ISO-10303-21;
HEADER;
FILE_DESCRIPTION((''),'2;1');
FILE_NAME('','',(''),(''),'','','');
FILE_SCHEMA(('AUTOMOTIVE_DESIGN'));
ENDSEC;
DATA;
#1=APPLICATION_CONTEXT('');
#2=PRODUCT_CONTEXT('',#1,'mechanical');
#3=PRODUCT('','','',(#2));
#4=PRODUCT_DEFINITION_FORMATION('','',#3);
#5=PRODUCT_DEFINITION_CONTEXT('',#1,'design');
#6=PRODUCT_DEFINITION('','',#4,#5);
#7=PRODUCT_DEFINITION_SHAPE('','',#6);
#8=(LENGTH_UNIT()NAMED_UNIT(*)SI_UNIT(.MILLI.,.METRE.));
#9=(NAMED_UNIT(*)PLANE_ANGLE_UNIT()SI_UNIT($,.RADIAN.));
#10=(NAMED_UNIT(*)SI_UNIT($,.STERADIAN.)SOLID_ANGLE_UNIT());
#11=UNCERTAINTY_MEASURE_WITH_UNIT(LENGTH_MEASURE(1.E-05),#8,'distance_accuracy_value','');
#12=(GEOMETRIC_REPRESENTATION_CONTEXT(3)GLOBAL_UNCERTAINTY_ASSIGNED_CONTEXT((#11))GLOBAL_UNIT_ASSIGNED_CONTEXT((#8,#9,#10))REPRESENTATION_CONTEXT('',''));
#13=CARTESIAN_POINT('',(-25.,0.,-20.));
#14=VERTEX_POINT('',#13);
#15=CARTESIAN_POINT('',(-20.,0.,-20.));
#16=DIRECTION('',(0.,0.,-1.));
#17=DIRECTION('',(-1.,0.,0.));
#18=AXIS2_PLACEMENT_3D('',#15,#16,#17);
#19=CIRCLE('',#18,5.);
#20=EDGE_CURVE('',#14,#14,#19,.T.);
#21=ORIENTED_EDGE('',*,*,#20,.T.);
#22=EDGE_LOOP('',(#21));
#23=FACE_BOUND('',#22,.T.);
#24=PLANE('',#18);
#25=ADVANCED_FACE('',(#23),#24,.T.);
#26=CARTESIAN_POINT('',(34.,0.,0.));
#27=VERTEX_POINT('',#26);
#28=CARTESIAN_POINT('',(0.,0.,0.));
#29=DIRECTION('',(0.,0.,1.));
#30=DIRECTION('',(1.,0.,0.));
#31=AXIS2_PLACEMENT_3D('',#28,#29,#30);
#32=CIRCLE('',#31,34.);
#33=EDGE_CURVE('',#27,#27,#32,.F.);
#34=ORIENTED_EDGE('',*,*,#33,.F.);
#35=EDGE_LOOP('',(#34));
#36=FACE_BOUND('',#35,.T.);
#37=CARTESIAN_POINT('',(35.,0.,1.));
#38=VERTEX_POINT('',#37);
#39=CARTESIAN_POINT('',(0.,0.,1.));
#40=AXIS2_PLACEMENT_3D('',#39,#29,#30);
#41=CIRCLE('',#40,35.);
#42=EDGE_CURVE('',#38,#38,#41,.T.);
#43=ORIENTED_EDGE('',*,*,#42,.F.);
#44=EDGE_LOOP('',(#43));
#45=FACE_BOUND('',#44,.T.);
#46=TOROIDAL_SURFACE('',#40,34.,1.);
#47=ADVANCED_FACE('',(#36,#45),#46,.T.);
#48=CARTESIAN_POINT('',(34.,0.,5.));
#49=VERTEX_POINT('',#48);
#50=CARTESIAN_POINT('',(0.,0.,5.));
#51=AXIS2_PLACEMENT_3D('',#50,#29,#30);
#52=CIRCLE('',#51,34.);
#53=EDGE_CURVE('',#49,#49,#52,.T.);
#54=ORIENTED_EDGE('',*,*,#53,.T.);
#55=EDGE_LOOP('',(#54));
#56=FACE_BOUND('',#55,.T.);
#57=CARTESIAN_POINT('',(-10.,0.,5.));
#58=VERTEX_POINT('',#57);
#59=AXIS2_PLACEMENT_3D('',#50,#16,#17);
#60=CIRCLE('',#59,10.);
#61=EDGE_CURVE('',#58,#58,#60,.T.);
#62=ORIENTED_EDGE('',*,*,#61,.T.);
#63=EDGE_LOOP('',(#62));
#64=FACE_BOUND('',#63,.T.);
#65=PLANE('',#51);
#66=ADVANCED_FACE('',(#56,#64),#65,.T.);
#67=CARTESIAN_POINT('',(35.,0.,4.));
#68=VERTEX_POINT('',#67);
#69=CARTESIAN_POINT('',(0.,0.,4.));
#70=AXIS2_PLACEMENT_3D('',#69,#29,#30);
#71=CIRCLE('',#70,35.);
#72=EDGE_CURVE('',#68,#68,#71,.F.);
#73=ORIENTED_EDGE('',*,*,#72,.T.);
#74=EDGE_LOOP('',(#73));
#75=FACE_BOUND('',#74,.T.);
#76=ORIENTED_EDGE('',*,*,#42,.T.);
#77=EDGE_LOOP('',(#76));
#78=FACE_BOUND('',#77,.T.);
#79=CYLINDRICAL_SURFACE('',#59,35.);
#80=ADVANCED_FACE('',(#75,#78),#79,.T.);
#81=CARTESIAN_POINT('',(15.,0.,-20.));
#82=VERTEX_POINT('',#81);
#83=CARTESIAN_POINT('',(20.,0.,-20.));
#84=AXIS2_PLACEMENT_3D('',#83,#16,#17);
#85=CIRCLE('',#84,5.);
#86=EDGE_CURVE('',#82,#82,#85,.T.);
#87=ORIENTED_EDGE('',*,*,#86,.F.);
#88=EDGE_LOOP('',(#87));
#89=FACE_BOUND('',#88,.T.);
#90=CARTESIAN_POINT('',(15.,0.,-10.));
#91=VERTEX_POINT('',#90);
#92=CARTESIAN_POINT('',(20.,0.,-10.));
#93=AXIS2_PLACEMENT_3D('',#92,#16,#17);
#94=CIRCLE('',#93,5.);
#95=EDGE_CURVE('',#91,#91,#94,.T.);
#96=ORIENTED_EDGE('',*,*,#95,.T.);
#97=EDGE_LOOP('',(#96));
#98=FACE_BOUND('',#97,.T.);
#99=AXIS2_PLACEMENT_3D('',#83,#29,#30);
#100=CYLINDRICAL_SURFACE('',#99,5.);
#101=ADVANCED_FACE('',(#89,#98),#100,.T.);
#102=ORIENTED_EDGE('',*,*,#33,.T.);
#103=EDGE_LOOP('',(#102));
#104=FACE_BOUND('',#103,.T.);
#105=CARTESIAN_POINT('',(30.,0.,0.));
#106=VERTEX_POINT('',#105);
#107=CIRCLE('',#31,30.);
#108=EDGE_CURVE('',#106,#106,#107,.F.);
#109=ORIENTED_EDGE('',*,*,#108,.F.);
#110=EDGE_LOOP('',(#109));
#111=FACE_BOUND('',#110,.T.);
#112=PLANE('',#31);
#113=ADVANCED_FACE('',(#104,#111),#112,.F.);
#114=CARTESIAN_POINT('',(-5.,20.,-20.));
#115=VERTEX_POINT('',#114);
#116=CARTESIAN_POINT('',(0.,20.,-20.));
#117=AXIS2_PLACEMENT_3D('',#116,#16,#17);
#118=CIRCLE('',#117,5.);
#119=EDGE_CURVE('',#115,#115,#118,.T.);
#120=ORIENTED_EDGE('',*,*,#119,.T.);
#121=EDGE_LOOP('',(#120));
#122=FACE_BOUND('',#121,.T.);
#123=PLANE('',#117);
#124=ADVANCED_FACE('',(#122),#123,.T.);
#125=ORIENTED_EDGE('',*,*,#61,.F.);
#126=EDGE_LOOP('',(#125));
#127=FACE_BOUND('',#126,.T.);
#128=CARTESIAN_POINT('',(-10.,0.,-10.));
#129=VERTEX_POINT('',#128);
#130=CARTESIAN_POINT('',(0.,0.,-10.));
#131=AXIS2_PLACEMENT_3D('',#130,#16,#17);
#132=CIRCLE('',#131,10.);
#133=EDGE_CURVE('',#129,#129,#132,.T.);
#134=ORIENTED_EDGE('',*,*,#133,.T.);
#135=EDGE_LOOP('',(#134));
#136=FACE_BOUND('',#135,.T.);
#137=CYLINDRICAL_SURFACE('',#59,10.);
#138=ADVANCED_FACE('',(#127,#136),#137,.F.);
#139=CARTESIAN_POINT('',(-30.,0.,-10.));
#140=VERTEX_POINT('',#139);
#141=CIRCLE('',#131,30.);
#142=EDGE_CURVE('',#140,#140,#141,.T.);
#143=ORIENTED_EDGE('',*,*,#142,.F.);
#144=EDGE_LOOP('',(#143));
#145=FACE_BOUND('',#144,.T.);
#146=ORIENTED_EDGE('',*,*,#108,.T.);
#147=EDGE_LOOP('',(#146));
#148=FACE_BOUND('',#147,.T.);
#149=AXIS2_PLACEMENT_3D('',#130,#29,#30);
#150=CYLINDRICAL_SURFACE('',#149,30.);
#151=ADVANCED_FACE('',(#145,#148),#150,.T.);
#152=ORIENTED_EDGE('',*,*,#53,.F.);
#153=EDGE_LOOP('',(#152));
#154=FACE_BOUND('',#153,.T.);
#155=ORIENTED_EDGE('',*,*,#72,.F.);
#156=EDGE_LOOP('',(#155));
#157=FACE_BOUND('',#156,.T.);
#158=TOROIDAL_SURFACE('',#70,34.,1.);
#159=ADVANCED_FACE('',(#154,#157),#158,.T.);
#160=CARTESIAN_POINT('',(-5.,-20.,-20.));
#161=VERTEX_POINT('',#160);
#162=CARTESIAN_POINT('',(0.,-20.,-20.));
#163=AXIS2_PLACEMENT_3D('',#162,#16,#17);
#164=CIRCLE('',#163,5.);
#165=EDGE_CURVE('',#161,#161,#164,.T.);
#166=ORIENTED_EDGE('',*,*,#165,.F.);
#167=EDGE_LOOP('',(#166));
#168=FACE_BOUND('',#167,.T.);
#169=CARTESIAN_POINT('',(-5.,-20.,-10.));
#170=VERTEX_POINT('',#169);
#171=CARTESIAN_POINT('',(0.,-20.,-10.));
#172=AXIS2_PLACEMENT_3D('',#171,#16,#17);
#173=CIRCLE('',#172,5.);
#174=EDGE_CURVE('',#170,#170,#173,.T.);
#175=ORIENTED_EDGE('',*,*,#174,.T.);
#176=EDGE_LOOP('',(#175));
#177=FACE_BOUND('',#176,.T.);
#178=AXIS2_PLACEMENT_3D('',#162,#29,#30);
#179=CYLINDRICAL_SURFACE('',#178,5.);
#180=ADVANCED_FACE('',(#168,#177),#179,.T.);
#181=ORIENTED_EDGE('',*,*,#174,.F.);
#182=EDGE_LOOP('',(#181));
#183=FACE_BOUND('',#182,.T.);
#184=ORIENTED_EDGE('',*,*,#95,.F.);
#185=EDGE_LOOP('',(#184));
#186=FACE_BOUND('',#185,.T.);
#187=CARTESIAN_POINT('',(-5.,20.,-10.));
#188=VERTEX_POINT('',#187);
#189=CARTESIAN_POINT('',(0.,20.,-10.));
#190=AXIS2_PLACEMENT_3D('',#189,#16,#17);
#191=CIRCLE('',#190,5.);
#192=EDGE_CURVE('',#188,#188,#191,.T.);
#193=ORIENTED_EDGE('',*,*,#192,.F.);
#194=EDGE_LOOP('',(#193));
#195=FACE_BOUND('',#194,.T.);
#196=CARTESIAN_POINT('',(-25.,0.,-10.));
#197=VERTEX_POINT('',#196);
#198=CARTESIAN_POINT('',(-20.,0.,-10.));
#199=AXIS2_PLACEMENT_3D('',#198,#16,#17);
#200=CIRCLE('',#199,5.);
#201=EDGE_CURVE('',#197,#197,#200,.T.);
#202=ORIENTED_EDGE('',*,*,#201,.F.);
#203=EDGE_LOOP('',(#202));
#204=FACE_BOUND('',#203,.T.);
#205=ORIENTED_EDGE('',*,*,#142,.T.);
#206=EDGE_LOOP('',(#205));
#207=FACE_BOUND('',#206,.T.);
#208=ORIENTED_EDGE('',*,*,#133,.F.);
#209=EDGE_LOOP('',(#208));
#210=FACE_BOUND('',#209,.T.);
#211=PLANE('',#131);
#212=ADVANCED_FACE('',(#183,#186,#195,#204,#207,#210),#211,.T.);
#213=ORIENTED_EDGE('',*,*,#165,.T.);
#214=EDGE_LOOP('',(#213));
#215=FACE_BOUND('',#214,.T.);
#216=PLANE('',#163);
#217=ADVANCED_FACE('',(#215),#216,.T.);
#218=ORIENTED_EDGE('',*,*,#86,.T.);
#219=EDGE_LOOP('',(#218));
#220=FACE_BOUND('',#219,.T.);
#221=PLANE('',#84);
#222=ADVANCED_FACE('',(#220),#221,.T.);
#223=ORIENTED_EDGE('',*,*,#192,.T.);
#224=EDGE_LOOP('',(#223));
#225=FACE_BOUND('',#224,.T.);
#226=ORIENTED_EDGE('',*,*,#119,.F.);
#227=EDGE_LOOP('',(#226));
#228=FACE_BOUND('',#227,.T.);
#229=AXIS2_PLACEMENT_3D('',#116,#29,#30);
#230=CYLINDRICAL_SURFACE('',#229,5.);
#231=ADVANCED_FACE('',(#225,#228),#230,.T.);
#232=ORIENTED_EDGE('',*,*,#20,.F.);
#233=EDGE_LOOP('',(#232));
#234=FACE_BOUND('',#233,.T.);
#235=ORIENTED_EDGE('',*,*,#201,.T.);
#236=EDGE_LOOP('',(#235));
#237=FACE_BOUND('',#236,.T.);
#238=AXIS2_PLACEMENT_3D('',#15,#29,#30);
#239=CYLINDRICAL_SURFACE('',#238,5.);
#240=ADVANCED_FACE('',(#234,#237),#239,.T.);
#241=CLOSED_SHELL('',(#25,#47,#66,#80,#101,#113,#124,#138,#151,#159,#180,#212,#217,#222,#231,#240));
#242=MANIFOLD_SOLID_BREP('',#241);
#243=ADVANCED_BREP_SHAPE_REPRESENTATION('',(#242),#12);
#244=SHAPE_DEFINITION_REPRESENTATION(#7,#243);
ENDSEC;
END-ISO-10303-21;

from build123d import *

# Parameters (mm, degrees)
SKETCH1_R           = 35
BOSS_EXTRUDE1_DEPTH = 5
FILLET1_R           = 1
SKETCH2_R           = 30
BOSS_EXTRUDE2_DEPTH = 10
SKETCH3_R           = 5
BOSS_EXTRUDE3_DEPTH = 10
SKETCH4_R           = 10
CUT_EXTRUDE1_DEPTH  = 16


with BuildPart() as part:
    # Sketch1 → Boss-Extrude1 (new body)
    with BuildSketch(Plane.XY):
        Circle(SKETCH1_R)
    extrude(amount=BOSS_EXTRUDE1_DEPTH)

    # Fillet1
    fillet1_edges = [part.edges().sort_by_distance(p)[0] for p in [
        (-35, 0, 0),
        (-35, 0, 5),
    ]]
    fillet(fillet1_edges, radius=FILLET1_R)

    # Sketch2 → Boss-Extrude2 (add)
    with BuildSketch(Plane(origin=(0, 0, 0), x_dir=(-1, 0, 0), z_dir=(0, 0, -1))):
        Circle(SKETCH2_R)
    extrude(amount=BOSS_EXTRUDE2_DEPTH)

    # Sketch3 → Boss-Extrude3 (add)
    with BuildSketch(Plane(origin=(0, 0, -10), x_dir=(-1, 0, 0), z_dir=(0, 0, -1))):
        with Locations((0, 20)):
            Circle(SKETCH3_R)
        with Locations((20, 0)):
            Circle(SKETCH3_R)
        with Locations((0, -20)):
            Circle(SKETCH3_R)
        with Locations((-20, 0)):
            Circle(SKETCH3_R)
    extrude(amount=BOSS_EXTRUDE3_DEPTH)

    # Sketch4 → Cut-Extrude1 (cut, through all)
    with BuildSketch(Plane(origin=(0, 0, -10), x_dir=(-1, 0, 0), z_dir=(0, 0, -1))):
        Circle(SKETCH4_R)
    extrude(amount=-CUT_EXTRUDE1_DEPTH, mode=Mode.SUBTRACT)


solid = part.part
